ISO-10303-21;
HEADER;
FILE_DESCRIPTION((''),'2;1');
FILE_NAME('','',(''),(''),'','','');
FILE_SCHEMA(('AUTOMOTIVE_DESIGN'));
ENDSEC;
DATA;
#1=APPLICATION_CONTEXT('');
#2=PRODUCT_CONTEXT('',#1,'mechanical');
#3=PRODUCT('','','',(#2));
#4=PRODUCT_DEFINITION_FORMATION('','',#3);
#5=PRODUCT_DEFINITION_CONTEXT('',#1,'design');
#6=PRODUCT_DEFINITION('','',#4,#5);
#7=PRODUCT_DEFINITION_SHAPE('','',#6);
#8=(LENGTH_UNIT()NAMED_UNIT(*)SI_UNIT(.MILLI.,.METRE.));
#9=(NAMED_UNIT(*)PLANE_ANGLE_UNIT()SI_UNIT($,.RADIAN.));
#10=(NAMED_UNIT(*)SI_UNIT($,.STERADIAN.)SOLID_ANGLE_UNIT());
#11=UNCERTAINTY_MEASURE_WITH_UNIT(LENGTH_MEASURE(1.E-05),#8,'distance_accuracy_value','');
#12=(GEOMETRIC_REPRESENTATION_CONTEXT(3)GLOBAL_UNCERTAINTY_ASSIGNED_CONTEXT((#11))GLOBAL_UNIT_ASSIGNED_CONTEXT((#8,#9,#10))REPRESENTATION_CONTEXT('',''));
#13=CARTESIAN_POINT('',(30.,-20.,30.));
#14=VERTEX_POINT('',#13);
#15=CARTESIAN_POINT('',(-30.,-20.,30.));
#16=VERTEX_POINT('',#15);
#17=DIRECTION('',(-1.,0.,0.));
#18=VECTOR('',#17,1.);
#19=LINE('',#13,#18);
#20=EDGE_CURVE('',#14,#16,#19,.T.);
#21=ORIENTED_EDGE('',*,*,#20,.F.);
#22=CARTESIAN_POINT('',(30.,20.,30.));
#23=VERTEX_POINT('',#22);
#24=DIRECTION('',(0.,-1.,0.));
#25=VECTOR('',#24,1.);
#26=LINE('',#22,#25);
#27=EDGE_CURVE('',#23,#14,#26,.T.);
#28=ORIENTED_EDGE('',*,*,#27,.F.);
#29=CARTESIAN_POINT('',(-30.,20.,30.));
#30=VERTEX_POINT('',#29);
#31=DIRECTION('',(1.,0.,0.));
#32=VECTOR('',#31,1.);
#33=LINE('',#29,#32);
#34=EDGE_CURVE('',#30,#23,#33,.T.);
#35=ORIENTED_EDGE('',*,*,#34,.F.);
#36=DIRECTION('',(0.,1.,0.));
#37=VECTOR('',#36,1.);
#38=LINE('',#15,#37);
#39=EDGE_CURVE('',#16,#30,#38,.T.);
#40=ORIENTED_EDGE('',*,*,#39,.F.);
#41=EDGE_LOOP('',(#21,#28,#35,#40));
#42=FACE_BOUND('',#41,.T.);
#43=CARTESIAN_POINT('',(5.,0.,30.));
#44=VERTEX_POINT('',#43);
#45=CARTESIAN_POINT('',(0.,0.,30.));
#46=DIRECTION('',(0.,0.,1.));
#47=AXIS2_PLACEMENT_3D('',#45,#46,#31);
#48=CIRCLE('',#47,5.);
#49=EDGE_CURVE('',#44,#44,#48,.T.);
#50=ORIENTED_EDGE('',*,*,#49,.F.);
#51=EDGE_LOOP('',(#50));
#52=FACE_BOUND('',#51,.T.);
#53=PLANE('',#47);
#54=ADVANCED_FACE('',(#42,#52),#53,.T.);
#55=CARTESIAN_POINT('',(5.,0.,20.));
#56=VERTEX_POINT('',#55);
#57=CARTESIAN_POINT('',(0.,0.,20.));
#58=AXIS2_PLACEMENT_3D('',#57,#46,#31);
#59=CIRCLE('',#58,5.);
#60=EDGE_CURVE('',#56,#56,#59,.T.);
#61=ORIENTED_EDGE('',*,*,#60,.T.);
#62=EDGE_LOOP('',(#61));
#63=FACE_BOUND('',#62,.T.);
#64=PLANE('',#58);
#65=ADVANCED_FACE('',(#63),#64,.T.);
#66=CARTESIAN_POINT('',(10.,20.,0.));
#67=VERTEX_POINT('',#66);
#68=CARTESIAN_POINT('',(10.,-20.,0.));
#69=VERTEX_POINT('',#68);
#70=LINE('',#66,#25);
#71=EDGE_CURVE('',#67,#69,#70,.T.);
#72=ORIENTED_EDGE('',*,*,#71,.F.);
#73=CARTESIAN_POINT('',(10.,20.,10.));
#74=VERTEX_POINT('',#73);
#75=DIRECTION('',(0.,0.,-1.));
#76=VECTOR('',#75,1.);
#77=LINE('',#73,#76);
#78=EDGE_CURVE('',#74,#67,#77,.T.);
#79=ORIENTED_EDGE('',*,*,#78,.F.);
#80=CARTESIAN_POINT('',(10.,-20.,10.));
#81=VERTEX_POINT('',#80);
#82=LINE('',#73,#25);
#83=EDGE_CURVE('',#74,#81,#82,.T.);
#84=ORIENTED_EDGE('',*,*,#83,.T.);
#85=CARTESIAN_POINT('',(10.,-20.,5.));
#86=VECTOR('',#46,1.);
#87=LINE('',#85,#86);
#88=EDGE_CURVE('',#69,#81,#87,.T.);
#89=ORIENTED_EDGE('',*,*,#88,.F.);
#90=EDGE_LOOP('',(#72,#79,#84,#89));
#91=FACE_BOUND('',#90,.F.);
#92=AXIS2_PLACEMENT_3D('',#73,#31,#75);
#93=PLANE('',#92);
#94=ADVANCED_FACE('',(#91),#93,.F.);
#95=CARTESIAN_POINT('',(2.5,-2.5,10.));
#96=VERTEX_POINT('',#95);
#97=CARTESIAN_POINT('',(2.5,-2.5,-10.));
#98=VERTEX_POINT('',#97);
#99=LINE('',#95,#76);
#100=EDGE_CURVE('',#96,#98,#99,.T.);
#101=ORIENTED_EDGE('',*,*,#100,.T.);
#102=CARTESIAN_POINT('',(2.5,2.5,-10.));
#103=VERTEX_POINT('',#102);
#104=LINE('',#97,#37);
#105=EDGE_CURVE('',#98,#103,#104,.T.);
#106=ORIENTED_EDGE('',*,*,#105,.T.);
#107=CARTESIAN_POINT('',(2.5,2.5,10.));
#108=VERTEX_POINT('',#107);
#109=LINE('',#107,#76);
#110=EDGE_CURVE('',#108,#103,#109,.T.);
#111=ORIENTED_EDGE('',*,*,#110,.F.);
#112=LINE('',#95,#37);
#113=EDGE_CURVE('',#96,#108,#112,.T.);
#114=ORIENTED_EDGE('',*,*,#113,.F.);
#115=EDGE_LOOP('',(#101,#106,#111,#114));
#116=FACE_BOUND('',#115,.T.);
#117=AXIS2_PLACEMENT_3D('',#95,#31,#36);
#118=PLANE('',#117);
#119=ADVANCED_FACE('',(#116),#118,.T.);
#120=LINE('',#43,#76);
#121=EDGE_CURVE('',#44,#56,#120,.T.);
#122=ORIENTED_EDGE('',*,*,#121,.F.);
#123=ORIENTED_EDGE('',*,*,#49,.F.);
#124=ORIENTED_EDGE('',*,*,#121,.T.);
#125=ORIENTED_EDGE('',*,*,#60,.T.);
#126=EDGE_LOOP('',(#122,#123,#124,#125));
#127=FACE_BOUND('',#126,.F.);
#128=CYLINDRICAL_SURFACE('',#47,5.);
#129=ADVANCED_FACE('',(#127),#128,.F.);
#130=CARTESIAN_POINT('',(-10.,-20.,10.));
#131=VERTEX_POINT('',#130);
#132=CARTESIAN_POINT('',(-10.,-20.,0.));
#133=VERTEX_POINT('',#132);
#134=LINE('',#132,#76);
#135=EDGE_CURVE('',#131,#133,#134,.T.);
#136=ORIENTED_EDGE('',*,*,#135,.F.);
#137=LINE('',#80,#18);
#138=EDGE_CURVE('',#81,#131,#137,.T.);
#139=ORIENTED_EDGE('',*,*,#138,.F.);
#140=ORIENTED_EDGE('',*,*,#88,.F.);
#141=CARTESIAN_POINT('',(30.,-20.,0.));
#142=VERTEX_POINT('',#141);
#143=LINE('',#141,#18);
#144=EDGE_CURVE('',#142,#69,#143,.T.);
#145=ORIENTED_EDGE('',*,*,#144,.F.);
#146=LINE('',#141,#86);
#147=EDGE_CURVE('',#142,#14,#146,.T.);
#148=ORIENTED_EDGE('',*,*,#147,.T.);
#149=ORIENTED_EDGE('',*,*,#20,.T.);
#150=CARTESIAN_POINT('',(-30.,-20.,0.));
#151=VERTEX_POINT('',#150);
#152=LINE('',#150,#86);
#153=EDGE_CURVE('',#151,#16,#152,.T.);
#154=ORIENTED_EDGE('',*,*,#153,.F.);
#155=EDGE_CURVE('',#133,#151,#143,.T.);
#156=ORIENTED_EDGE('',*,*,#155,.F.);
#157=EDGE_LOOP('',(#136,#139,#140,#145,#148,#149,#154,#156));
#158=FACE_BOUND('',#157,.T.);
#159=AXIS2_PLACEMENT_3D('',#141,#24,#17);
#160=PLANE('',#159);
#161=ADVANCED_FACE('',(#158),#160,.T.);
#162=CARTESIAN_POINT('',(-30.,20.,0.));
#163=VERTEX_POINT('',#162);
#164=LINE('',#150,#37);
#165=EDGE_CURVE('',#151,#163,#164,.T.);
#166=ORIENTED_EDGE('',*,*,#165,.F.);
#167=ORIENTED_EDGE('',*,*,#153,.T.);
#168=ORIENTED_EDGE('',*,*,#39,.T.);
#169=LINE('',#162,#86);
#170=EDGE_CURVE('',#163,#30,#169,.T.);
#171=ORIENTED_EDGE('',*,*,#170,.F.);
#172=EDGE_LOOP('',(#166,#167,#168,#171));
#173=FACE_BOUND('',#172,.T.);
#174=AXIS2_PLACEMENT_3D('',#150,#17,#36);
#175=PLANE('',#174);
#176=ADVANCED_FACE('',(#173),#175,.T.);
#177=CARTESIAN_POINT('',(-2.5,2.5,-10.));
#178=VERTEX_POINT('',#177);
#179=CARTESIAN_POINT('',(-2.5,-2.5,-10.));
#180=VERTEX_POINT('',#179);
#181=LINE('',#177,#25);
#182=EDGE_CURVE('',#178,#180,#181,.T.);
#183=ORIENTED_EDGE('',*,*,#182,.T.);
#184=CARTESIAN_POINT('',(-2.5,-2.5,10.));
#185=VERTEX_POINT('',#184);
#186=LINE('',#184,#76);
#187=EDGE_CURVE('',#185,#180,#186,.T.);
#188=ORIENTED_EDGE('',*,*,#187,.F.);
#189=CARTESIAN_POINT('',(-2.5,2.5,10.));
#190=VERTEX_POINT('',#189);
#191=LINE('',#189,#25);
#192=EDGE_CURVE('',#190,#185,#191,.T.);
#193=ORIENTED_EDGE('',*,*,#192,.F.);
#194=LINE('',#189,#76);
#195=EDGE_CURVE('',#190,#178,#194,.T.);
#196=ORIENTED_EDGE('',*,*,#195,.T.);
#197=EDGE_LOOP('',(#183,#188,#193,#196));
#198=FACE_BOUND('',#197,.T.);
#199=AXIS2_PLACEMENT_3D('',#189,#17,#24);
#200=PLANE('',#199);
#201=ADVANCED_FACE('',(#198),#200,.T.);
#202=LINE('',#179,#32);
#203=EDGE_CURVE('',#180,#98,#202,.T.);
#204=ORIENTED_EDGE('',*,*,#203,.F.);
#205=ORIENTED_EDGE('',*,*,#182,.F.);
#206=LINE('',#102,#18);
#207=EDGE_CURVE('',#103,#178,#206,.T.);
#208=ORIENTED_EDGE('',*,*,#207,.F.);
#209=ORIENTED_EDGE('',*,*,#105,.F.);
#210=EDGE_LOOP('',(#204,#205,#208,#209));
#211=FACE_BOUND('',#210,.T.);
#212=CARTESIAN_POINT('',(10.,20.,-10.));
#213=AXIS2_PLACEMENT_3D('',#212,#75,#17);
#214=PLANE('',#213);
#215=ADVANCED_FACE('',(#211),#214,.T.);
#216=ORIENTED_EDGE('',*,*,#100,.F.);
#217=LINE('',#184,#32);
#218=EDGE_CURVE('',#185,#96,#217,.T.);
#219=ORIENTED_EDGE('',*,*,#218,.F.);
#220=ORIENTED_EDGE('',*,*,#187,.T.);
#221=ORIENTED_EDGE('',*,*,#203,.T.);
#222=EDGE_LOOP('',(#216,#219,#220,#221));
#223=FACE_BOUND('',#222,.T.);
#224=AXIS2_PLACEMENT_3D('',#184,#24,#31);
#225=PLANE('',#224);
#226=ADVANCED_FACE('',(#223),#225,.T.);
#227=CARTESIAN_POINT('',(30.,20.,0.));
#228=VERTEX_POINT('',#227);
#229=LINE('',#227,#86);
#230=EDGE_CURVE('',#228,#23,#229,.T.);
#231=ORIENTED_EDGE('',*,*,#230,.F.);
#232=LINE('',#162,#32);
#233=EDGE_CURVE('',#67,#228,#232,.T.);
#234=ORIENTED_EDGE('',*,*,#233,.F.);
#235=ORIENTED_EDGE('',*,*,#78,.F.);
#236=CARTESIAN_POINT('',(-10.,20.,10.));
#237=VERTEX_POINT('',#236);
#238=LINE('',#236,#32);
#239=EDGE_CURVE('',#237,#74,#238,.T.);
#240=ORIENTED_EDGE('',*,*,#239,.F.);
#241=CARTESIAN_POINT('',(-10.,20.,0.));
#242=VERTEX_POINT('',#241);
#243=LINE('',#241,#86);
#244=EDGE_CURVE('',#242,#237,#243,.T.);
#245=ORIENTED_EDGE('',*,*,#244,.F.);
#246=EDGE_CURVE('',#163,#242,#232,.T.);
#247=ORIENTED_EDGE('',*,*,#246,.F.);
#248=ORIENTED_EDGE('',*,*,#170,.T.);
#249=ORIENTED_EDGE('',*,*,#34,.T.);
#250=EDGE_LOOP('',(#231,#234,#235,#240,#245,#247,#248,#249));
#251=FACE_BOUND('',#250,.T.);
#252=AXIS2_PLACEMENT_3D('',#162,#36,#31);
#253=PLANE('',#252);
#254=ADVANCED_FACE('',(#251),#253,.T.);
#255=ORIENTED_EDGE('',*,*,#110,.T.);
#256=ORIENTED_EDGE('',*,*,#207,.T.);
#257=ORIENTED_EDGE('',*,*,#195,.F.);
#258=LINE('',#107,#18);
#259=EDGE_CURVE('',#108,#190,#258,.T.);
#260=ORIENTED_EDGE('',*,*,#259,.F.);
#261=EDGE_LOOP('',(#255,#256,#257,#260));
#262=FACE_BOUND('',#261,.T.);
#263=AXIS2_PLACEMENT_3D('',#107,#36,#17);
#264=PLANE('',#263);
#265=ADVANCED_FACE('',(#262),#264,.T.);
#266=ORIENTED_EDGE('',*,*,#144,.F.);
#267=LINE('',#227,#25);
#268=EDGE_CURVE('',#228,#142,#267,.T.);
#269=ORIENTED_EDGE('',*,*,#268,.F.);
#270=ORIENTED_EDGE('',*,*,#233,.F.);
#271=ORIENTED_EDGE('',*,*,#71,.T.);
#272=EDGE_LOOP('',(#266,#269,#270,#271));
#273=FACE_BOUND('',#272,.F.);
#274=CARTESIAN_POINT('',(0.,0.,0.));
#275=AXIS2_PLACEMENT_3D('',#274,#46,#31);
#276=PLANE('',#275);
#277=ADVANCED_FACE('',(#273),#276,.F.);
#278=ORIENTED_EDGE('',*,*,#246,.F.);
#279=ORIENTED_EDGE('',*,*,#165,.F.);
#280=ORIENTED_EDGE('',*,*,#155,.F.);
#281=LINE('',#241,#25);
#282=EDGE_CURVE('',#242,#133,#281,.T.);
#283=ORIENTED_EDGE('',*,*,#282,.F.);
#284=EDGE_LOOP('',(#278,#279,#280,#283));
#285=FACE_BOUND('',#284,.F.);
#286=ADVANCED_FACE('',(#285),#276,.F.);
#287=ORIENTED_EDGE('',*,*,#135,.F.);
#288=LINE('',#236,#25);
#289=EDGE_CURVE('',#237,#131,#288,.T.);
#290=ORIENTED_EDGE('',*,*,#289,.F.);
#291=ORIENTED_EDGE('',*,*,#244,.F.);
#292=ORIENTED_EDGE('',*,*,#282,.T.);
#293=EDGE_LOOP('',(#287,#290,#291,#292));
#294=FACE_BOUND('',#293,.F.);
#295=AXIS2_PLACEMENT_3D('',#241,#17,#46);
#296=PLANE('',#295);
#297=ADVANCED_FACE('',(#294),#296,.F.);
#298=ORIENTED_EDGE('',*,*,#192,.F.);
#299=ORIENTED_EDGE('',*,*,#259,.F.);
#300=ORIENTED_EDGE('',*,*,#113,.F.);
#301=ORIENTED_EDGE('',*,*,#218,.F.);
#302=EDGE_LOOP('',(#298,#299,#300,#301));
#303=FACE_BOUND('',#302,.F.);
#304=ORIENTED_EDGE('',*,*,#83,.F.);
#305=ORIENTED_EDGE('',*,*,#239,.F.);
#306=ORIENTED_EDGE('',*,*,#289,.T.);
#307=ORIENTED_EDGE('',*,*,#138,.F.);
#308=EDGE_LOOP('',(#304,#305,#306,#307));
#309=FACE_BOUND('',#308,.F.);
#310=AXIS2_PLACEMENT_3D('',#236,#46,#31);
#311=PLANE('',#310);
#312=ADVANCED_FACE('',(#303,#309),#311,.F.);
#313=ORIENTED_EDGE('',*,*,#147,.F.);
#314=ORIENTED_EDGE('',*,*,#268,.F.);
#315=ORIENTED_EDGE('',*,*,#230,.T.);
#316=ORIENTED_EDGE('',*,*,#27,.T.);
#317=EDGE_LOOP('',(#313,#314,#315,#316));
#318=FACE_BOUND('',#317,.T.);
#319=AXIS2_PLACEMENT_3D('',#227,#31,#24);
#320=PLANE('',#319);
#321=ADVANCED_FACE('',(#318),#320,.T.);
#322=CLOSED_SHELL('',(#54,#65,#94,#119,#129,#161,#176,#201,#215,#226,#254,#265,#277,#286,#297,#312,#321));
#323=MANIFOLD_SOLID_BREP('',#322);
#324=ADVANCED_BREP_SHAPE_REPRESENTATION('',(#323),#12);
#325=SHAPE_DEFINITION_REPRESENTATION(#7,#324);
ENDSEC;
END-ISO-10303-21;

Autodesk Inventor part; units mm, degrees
ref_plane "YZ Plane" through (0, 0, 0) normal (1, 0, 0) x (0, 1, 0)
ref_plane "XZ Plane" through (0, 0, 0) normal (0, 1, 0) x (-1, 0, 0)
ref_plane "XY Plane" through (0, 0, 0) normal (0, 0, 1) x (1, 0, 0)
sketch "Sketch1" plane through (0, 0, 0) normal (0, 0, 1) x (1, 0, 0)
  line L0 (-30, 20) -> (30, 20)
  line L1 (30, 20) -> (30, -20)
  line L2 (30, -20) -> (-30, -20)
  line L3 (-30, -20) -> (-30, 20)
  point P0 (0, 0)
  dimension "d0" = 60
  dimension "d1" = 30
  dimension "d2" = 40
  dimension "d3" = 20
extrude "Extrusion1" add sketch "Sketch1" along normal blind 30
sketch "Sketch3" plane through (-30, 20, 0) normal (0, 1, 0) x (1, 0, 0)
  line L0 (0, 0) -> (60, 0) projected
  line L1 (20, 0) -> (20, -10)
  line L2 (20, -10) -> (40, -10)
  line L3 (40, -10) -> (40, 0)
  line L4 (20, 0) -> (40, 0)
  point P0 (30, 0)
  point P1 (30, 0)
  dimension "d9" = 20
  dimension "d10" = 10
  dimension "d11" = 10
extrude "Extrusion3" cut sketch "Sketch3" against normal through all
sketch "Sketch5" plane through (10, 20, 10) normal (0, 0, -1) x (-1, 0, 0)
  line L0 (12.5, -22.5) -> (7.5, -22.5)
  line L1 (7.5, -22.5) -> (7.5, -17.5)
  line L2 (7.5, -17.5) -> (12.5, -17.5)
  line L3 (12.5, -17.5) -> (12.5, -22.5)
  point P0 (10, -20)
  point P1 (7.5, -20)
  dimension "d17" = 2.5
  dimension "d18" = 5
  dimension "d19" = 5
  dimension "d20" = 2.5
extrude "Extrusion5" add sketch "Sketch5" along normal blind 20
sketch "Sketch6" plane through (0, 0, 30) normal (0, 0, 1) x (1, 0, 0)
  circle A0 centre (0, 0) radius 5
  dimension "d23" = 10
extrude "Extrusion6" cut sketch "Sketch6" against normal blind 10
properties part number "trzymaczka"
